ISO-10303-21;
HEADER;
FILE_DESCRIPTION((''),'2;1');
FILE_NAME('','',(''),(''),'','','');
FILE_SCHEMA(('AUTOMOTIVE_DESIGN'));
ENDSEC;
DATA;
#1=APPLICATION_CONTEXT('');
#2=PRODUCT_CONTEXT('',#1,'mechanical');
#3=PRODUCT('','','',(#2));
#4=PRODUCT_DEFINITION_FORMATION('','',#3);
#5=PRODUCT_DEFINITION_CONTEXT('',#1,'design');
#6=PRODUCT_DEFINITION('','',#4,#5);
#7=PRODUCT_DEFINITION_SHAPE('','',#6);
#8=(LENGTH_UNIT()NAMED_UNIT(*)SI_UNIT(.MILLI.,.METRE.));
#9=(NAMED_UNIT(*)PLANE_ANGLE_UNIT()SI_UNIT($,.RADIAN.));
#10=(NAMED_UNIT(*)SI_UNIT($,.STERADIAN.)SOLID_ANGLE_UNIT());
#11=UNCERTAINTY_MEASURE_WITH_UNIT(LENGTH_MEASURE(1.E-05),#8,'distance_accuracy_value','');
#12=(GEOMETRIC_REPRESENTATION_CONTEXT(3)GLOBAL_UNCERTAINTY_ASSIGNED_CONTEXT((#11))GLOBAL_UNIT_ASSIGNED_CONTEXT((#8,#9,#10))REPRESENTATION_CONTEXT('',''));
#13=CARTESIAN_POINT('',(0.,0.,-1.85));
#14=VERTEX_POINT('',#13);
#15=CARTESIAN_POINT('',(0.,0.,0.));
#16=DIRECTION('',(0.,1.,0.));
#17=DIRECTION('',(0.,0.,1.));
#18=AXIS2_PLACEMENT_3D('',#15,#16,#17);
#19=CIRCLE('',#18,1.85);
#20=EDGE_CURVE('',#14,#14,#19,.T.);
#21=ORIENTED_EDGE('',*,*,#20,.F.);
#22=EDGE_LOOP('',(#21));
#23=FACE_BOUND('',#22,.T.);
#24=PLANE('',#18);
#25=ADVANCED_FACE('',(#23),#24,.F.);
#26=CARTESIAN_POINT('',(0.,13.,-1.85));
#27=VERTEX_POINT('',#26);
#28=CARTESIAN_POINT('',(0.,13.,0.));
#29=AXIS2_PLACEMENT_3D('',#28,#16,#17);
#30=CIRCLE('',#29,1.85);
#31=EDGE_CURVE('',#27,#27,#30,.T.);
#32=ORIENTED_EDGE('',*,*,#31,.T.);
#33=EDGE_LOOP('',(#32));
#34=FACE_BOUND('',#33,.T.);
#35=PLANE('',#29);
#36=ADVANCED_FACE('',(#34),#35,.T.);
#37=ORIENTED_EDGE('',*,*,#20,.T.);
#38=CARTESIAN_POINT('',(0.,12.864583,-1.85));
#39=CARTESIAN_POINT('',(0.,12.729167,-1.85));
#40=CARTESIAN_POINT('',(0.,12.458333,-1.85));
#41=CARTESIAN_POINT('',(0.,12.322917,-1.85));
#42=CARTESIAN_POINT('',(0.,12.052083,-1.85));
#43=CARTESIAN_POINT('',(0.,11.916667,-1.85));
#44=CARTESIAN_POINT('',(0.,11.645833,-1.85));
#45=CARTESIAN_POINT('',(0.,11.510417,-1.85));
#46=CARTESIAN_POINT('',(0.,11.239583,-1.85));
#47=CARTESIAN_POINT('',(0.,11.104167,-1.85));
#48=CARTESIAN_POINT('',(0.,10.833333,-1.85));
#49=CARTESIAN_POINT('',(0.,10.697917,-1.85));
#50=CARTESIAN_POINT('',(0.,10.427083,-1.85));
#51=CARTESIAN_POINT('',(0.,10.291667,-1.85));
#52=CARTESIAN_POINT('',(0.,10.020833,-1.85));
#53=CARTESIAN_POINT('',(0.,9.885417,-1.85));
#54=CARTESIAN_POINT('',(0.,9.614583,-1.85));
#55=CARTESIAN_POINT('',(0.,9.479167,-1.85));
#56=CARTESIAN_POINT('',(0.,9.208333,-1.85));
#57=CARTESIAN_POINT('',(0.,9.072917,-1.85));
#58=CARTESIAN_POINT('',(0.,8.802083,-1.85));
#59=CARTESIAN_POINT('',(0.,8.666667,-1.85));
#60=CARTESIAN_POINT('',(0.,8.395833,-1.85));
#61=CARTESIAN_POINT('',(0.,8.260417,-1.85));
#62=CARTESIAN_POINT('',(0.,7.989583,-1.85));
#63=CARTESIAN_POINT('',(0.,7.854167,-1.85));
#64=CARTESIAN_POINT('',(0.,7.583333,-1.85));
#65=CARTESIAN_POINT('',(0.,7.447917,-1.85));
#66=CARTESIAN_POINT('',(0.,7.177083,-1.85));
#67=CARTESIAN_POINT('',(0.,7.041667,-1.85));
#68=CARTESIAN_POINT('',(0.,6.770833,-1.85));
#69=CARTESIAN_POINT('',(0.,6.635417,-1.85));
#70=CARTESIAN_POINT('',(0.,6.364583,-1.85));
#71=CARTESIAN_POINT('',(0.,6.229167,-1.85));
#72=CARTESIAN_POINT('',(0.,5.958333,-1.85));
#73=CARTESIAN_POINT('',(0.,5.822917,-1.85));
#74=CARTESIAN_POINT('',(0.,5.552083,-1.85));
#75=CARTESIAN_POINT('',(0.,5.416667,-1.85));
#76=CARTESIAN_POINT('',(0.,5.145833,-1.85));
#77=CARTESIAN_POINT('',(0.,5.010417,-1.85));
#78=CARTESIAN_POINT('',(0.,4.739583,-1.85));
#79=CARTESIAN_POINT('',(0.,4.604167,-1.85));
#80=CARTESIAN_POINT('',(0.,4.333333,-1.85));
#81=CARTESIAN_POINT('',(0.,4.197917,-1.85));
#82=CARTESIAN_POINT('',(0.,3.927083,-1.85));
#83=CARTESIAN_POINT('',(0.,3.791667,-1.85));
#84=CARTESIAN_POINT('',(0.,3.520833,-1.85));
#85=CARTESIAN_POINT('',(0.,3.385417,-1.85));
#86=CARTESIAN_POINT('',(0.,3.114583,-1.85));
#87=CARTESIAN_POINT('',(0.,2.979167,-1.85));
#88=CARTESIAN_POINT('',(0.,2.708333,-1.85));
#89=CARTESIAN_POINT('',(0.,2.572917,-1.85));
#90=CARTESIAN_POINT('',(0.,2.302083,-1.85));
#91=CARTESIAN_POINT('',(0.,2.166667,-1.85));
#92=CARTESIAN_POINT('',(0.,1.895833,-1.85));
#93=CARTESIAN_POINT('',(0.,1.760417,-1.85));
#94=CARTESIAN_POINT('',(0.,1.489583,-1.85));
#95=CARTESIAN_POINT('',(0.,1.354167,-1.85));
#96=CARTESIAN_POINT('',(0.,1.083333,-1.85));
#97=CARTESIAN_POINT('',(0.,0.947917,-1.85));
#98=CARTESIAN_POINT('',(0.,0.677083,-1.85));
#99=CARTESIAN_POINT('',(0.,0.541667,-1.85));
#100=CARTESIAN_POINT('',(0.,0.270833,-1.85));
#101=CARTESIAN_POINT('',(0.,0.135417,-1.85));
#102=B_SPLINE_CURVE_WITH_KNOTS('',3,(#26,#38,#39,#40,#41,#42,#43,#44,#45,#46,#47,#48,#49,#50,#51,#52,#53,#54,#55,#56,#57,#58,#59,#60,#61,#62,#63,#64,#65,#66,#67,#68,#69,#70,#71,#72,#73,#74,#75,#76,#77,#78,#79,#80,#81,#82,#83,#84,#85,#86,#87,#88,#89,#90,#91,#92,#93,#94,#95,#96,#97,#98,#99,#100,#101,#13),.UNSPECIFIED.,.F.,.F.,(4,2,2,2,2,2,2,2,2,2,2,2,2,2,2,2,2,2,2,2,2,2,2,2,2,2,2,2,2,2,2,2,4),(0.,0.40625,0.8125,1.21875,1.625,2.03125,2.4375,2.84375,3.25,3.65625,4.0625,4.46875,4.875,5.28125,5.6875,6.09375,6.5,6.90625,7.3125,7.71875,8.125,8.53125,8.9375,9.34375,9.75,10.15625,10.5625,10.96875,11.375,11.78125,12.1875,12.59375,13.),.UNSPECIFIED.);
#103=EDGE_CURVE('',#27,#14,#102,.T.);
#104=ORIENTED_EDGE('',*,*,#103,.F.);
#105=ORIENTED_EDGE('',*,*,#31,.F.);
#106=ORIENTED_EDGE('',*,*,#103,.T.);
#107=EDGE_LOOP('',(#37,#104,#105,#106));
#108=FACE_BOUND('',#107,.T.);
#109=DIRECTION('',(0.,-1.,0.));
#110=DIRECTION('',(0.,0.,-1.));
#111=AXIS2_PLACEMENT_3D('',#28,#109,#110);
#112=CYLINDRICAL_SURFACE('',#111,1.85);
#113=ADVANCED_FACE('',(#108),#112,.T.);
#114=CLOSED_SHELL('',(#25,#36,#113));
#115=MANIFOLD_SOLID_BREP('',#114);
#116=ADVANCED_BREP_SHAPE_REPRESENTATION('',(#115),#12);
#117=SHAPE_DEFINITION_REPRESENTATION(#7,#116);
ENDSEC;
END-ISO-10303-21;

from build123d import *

# Parameters (mm, degrees)
SKETCH_1_R      = 1.85
EXTRUDE_1_DEPTH = 13


with BuildPart() as part:
    # 草图1 → 凸台-拉伸1 (new body)
    with BuildSketch(Plane(origin=(0, 0, 0), x_dir=(1, 0, 0), z_dir=(0, 1, 0))):
        with Locations(Location((0, 0, 0), (0, 0, 90))):
            Circle(SKETCH_1_R)
    extrude(amount=EXTRUDE_1_DEPTH)


solid = part.part
